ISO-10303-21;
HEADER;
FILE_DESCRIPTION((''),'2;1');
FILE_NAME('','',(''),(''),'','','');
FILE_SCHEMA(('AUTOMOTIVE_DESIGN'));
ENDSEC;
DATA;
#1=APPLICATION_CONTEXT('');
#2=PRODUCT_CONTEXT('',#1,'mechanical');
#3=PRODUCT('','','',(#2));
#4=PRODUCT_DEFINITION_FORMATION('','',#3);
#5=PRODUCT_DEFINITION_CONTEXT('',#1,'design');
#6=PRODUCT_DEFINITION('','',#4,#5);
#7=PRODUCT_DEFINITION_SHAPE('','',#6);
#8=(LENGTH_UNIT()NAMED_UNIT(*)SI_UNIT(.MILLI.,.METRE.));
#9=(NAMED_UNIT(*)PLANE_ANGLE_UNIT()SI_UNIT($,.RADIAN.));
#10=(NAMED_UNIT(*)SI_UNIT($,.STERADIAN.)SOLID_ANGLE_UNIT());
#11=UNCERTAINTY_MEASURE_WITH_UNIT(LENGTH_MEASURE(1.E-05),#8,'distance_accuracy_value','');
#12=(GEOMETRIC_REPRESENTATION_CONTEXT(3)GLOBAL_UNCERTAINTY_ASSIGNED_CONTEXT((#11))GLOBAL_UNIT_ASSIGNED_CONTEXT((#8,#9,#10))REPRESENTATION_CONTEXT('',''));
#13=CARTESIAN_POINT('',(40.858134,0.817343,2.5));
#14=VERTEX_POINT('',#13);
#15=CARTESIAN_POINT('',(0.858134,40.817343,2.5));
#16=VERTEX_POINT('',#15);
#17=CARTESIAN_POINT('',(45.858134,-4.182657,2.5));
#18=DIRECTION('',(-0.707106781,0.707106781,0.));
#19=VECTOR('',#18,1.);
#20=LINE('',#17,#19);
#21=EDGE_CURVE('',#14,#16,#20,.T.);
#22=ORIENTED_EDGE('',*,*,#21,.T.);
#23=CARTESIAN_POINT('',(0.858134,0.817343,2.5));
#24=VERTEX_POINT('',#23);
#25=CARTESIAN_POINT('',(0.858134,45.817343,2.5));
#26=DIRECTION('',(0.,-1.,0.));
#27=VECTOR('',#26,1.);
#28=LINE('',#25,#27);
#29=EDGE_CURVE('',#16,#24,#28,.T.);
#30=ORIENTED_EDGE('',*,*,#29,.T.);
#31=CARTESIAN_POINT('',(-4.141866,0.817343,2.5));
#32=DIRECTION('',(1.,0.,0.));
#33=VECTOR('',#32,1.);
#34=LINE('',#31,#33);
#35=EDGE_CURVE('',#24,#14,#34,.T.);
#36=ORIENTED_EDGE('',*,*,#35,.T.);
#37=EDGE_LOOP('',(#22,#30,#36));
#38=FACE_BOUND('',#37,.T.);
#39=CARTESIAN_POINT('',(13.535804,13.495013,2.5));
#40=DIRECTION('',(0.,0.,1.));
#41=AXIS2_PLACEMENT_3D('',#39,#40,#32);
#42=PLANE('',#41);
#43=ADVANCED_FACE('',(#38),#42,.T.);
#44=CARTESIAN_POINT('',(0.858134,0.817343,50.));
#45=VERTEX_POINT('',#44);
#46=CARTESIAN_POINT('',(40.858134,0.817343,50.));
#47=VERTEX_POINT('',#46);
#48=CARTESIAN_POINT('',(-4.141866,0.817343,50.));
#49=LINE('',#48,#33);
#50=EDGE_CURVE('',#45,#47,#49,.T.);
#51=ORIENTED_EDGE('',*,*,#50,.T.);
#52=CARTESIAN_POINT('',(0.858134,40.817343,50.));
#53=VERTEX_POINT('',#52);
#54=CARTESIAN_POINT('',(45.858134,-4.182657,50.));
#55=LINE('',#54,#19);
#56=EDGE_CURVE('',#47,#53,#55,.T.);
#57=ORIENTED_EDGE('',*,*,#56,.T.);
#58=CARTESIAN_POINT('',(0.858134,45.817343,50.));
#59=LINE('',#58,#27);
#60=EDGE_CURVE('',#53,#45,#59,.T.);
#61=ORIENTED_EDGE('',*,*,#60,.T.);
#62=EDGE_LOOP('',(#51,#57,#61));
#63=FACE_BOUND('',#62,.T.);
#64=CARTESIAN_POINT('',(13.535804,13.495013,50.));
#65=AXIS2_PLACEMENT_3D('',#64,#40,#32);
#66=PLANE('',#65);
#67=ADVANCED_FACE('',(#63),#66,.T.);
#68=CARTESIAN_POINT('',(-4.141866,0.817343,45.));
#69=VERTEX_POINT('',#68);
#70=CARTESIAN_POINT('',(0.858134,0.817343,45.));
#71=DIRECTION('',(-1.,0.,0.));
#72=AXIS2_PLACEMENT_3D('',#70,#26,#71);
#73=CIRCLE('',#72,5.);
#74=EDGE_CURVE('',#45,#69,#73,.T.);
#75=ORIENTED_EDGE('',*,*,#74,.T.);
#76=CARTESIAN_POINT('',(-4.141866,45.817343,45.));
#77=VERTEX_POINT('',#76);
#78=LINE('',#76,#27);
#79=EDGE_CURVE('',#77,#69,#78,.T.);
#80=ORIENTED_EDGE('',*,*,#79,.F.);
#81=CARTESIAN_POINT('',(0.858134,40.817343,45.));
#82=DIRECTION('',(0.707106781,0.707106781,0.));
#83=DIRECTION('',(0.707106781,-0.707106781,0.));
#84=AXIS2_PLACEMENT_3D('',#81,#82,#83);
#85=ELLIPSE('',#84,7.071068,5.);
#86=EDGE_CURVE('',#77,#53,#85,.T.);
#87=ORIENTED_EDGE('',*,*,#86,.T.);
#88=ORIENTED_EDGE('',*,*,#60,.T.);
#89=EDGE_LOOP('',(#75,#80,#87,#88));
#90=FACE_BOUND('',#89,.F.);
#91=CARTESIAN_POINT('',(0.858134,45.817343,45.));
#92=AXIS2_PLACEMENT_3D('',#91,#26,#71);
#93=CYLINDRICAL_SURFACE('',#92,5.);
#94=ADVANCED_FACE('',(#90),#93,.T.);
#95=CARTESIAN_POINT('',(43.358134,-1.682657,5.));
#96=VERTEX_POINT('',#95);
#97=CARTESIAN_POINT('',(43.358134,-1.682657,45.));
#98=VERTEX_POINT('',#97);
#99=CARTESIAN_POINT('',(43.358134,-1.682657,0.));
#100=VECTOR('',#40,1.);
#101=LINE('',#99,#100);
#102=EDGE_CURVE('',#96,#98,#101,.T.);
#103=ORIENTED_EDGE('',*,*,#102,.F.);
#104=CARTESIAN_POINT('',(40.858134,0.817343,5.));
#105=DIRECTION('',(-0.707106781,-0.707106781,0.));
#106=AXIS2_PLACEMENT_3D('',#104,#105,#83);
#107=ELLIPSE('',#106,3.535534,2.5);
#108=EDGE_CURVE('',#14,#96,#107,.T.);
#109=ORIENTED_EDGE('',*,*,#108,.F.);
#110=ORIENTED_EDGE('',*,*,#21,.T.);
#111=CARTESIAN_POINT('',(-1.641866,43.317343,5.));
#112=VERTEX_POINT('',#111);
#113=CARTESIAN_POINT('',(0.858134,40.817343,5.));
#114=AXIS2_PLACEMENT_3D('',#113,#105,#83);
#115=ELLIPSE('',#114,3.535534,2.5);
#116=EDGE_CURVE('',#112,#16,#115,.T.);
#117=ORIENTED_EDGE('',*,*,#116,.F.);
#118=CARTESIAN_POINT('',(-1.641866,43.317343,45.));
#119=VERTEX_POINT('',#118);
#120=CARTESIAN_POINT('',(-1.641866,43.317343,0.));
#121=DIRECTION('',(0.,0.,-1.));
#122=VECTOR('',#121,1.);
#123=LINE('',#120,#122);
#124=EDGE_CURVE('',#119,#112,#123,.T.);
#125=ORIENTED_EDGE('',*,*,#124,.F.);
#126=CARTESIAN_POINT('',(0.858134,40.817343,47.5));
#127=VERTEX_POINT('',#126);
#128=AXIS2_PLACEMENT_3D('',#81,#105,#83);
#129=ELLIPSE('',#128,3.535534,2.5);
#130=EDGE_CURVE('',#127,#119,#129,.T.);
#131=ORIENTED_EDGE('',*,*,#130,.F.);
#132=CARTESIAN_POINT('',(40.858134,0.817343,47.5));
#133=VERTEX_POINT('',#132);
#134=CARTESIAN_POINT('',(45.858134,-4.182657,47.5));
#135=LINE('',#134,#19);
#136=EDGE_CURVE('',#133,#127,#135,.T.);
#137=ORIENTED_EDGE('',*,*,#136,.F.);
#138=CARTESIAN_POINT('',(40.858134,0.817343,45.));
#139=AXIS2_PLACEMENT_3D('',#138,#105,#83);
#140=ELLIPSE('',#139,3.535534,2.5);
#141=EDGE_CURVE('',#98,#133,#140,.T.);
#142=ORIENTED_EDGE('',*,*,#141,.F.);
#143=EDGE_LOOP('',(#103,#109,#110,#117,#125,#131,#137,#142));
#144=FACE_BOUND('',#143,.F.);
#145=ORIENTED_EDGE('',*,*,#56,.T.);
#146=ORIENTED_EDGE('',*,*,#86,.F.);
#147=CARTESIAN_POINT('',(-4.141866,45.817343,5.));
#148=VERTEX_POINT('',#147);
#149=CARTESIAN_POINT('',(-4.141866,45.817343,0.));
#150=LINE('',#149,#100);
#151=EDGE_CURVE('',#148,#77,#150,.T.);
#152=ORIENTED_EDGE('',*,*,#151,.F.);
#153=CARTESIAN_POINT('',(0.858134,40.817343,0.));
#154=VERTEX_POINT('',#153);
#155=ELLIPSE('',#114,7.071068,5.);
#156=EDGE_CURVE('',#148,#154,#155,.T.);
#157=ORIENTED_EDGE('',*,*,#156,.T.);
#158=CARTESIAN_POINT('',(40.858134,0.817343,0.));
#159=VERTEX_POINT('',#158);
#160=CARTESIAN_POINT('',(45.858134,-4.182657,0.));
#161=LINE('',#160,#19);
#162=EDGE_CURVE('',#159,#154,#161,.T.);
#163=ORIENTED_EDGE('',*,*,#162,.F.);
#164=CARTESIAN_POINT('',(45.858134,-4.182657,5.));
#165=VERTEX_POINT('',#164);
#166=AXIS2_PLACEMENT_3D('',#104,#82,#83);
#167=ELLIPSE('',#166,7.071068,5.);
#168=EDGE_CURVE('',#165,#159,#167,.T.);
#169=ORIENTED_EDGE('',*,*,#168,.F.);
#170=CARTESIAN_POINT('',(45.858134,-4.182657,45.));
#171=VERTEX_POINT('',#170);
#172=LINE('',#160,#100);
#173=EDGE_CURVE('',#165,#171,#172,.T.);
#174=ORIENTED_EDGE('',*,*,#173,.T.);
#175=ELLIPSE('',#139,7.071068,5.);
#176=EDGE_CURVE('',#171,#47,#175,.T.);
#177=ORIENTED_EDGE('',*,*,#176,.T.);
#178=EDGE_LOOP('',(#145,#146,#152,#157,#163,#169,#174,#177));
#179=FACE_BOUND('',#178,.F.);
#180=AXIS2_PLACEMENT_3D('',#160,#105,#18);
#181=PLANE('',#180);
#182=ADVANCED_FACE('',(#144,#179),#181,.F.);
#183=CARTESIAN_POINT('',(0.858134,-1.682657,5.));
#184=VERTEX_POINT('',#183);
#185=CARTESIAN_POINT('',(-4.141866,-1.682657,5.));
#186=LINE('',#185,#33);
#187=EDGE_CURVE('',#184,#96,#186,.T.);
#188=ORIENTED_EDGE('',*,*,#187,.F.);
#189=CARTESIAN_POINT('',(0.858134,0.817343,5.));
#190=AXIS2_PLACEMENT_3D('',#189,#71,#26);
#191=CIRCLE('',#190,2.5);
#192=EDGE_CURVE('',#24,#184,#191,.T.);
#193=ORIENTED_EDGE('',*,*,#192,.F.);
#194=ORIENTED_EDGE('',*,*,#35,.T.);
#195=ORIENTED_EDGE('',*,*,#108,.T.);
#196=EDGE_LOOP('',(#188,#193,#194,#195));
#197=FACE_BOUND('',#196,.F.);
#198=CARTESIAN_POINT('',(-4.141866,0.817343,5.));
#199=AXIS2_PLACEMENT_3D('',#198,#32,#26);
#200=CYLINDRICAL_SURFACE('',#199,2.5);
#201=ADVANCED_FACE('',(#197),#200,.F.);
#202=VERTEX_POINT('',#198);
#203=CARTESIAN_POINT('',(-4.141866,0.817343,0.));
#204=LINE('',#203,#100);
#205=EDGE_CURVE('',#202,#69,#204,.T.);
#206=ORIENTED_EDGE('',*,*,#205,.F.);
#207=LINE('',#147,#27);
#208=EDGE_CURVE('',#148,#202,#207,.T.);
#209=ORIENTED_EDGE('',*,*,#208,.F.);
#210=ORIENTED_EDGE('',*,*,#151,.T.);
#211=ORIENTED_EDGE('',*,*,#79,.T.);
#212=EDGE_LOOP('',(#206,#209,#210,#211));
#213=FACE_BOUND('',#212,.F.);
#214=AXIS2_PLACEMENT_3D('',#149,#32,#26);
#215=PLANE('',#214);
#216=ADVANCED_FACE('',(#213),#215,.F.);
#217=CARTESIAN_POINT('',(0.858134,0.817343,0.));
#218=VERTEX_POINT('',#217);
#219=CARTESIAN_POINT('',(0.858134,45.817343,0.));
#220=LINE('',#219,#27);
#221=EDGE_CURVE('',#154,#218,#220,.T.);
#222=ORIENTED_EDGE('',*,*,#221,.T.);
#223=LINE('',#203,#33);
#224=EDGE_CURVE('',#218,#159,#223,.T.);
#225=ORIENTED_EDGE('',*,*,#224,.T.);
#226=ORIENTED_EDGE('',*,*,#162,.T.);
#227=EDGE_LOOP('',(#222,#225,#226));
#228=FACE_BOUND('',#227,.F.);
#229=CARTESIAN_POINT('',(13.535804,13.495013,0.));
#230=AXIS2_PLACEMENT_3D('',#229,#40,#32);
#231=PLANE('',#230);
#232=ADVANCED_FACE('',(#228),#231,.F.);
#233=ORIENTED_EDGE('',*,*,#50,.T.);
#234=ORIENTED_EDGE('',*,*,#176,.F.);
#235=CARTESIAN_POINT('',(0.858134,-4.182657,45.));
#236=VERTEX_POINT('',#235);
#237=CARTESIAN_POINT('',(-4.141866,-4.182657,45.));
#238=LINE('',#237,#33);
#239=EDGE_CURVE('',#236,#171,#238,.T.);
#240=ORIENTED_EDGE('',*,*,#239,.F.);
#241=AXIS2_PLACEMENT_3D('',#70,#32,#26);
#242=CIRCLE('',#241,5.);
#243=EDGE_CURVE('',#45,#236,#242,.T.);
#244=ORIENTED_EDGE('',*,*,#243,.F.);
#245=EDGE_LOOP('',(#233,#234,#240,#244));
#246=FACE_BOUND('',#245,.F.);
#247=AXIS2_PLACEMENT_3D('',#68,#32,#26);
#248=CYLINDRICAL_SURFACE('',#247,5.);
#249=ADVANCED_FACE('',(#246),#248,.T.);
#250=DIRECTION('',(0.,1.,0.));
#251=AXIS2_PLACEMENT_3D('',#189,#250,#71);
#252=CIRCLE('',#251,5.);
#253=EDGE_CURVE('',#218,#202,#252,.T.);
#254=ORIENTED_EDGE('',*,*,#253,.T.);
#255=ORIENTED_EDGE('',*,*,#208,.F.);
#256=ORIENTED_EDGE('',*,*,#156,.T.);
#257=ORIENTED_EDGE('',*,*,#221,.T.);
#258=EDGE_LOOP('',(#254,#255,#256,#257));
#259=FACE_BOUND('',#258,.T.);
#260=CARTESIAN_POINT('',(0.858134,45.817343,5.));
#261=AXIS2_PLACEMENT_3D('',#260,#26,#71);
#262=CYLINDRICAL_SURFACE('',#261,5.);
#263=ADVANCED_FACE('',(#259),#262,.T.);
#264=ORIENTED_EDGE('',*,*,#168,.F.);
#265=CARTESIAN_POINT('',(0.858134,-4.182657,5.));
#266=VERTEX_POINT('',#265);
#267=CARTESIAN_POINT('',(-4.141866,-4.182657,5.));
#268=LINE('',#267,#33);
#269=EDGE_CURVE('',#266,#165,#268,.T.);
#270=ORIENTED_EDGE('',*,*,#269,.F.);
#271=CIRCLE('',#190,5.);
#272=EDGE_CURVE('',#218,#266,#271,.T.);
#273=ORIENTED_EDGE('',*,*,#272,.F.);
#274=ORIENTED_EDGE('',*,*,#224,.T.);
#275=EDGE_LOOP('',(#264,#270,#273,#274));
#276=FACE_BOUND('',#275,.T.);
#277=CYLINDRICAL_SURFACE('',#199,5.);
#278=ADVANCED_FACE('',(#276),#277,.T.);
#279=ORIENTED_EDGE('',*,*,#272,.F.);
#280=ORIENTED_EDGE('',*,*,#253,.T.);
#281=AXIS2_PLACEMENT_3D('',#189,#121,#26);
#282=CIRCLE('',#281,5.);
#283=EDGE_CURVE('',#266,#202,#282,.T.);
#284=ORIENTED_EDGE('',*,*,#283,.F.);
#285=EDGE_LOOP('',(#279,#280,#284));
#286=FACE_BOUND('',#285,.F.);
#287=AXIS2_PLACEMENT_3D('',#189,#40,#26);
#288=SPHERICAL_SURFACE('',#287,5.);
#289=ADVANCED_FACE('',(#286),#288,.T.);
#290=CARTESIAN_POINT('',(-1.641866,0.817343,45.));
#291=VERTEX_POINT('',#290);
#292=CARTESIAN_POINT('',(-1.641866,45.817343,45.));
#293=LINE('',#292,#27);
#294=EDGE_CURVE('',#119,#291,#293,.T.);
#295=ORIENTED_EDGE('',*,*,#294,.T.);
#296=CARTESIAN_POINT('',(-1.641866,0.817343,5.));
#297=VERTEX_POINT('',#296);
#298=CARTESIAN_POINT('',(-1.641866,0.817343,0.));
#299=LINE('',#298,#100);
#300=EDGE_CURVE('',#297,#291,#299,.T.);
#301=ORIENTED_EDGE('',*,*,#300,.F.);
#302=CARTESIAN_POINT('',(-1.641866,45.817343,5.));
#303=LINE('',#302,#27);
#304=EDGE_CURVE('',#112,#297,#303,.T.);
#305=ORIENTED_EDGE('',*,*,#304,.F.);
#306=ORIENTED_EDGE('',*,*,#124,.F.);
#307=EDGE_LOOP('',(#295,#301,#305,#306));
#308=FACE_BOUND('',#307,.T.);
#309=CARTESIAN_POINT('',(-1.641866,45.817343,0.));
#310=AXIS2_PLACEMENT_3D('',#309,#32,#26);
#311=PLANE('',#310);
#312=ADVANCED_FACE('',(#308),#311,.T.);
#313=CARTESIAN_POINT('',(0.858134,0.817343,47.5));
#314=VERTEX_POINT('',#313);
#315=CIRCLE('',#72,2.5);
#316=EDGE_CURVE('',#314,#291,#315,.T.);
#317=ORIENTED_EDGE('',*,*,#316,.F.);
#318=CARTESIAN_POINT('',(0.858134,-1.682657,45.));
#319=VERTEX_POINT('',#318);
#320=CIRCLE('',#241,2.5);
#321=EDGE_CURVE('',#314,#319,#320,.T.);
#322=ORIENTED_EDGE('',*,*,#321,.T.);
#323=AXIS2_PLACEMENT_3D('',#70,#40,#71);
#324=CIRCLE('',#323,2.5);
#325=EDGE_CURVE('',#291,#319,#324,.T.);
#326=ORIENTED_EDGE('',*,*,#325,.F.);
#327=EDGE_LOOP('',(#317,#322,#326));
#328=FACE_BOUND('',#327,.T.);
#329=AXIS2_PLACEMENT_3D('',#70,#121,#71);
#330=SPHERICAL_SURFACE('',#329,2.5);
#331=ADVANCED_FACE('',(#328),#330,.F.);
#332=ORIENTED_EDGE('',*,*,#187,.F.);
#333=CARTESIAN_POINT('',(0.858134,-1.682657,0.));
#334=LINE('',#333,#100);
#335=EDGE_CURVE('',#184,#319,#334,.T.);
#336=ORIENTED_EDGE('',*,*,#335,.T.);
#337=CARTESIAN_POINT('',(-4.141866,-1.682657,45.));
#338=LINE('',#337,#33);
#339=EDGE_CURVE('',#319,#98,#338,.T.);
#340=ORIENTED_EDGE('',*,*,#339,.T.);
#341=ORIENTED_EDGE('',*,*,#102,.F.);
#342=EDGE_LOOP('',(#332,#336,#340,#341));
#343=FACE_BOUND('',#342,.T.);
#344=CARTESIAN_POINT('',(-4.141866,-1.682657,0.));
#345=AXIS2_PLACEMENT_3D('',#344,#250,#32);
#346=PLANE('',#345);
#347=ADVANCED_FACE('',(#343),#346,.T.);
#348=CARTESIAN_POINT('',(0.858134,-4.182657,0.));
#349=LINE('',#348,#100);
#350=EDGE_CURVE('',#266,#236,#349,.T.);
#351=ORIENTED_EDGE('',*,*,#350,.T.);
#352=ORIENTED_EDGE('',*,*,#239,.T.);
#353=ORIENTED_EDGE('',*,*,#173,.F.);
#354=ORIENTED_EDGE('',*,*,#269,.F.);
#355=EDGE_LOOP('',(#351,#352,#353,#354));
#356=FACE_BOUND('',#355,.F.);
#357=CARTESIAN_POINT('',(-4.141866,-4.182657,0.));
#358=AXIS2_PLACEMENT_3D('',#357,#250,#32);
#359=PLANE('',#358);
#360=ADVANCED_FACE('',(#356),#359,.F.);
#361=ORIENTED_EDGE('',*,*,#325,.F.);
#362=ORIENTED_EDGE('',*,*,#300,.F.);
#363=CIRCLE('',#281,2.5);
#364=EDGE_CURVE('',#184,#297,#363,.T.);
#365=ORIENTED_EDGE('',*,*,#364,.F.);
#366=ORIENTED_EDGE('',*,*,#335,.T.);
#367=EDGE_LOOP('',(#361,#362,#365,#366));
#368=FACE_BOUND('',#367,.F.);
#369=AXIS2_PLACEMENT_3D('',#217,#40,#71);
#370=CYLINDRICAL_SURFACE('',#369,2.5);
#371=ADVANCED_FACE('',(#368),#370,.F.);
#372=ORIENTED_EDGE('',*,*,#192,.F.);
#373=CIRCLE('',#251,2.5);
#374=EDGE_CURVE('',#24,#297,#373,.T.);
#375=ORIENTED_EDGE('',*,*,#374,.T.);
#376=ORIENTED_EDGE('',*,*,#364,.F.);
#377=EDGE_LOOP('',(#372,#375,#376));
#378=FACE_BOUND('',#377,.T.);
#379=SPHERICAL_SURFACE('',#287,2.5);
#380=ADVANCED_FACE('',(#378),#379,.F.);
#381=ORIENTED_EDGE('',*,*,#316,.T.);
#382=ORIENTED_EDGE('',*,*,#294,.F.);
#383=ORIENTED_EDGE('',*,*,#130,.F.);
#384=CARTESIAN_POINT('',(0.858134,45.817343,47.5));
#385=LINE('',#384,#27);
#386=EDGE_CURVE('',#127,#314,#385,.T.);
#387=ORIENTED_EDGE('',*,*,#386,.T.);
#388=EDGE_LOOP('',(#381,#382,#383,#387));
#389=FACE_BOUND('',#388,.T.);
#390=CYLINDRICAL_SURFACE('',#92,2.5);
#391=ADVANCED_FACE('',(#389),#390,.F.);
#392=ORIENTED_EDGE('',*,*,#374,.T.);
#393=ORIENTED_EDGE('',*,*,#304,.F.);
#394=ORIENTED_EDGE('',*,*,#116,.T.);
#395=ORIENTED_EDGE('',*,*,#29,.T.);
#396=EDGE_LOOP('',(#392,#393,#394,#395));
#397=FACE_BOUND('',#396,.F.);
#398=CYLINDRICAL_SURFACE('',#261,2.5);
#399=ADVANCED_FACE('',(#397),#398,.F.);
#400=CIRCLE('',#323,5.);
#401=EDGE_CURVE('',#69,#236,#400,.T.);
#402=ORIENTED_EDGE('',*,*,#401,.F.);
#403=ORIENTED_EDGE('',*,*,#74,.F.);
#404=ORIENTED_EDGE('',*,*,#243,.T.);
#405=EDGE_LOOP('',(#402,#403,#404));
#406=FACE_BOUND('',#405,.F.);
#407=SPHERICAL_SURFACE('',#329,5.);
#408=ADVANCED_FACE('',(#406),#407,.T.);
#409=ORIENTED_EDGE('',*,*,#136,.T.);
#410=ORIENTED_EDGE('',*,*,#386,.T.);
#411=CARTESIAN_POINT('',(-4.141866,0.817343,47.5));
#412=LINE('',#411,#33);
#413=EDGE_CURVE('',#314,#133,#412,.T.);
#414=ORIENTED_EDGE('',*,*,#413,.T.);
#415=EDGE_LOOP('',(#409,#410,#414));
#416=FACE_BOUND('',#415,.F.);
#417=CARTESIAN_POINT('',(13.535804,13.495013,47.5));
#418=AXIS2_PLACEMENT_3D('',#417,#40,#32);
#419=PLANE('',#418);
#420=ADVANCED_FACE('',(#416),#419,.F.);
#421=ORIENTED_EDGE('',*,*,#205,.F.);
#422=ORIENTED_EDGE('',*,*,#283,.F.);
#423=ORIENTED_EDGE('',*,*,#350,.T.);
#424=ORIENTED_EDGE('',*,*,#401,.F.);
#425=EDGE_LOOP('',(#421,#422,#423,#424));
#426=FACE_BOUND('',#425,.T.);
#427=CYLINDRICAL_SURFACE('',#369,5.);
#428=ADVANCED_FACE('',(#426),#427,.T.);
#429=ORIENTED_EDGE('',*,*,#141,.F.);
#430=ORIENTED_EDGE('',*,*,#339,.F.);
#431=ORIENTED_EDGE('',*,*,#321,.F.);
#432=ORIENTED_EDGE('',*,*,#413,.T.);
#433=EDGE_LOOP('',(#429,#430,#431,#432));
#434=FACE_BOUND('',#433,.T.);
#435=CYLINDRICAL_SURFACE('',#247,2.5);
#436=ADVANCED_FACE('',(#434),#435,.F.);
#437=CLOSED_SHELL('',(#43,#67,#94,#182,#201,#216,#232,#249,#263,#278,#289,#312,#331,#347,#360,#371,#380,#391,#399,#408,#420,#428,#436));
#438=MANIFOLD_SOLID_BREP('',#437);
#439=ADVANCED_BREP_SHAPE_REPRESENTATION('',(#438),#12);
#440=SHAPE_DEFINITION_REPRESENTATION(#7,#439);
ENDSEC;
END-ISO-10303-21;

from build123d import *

# Parameters (mm, degrees)
F1_DEPTH = 50
F2_R     = 5
F3_T     = -2.5


with BuildPart() as f1:
    # F0 (on Top) → F1 (new body)
    with BuildSketch(Plane.XY):
        Polygon((-4.141866, 45.817343), (-4.141866, -4.182657), (45.858134, -4.182657), align=None)
    extrude(amount=F1_DEPTH)

    # F2
    f2_edges = [f1.edges().sort_by_distance(p)[0] for p in [
        (-4.141866, -4.182657, 25),
        (20.858134, -4.182657, 0),
        (-4.141866, 20.817343, 0),
        (-4.141866, 20.817343, 50),
        (20.858134, -4.182657, 50),
    ]]
    fillet(f2_edges, radius=F2_R)

    # F3
    f3_openings = [f1.faces().sort_by_distance(p)[0] for p in [
        (20.858134, 20.817343, 25),
    ]]
    offset(amount=F3_T, openings=f3_openings)


solid = f1.part
